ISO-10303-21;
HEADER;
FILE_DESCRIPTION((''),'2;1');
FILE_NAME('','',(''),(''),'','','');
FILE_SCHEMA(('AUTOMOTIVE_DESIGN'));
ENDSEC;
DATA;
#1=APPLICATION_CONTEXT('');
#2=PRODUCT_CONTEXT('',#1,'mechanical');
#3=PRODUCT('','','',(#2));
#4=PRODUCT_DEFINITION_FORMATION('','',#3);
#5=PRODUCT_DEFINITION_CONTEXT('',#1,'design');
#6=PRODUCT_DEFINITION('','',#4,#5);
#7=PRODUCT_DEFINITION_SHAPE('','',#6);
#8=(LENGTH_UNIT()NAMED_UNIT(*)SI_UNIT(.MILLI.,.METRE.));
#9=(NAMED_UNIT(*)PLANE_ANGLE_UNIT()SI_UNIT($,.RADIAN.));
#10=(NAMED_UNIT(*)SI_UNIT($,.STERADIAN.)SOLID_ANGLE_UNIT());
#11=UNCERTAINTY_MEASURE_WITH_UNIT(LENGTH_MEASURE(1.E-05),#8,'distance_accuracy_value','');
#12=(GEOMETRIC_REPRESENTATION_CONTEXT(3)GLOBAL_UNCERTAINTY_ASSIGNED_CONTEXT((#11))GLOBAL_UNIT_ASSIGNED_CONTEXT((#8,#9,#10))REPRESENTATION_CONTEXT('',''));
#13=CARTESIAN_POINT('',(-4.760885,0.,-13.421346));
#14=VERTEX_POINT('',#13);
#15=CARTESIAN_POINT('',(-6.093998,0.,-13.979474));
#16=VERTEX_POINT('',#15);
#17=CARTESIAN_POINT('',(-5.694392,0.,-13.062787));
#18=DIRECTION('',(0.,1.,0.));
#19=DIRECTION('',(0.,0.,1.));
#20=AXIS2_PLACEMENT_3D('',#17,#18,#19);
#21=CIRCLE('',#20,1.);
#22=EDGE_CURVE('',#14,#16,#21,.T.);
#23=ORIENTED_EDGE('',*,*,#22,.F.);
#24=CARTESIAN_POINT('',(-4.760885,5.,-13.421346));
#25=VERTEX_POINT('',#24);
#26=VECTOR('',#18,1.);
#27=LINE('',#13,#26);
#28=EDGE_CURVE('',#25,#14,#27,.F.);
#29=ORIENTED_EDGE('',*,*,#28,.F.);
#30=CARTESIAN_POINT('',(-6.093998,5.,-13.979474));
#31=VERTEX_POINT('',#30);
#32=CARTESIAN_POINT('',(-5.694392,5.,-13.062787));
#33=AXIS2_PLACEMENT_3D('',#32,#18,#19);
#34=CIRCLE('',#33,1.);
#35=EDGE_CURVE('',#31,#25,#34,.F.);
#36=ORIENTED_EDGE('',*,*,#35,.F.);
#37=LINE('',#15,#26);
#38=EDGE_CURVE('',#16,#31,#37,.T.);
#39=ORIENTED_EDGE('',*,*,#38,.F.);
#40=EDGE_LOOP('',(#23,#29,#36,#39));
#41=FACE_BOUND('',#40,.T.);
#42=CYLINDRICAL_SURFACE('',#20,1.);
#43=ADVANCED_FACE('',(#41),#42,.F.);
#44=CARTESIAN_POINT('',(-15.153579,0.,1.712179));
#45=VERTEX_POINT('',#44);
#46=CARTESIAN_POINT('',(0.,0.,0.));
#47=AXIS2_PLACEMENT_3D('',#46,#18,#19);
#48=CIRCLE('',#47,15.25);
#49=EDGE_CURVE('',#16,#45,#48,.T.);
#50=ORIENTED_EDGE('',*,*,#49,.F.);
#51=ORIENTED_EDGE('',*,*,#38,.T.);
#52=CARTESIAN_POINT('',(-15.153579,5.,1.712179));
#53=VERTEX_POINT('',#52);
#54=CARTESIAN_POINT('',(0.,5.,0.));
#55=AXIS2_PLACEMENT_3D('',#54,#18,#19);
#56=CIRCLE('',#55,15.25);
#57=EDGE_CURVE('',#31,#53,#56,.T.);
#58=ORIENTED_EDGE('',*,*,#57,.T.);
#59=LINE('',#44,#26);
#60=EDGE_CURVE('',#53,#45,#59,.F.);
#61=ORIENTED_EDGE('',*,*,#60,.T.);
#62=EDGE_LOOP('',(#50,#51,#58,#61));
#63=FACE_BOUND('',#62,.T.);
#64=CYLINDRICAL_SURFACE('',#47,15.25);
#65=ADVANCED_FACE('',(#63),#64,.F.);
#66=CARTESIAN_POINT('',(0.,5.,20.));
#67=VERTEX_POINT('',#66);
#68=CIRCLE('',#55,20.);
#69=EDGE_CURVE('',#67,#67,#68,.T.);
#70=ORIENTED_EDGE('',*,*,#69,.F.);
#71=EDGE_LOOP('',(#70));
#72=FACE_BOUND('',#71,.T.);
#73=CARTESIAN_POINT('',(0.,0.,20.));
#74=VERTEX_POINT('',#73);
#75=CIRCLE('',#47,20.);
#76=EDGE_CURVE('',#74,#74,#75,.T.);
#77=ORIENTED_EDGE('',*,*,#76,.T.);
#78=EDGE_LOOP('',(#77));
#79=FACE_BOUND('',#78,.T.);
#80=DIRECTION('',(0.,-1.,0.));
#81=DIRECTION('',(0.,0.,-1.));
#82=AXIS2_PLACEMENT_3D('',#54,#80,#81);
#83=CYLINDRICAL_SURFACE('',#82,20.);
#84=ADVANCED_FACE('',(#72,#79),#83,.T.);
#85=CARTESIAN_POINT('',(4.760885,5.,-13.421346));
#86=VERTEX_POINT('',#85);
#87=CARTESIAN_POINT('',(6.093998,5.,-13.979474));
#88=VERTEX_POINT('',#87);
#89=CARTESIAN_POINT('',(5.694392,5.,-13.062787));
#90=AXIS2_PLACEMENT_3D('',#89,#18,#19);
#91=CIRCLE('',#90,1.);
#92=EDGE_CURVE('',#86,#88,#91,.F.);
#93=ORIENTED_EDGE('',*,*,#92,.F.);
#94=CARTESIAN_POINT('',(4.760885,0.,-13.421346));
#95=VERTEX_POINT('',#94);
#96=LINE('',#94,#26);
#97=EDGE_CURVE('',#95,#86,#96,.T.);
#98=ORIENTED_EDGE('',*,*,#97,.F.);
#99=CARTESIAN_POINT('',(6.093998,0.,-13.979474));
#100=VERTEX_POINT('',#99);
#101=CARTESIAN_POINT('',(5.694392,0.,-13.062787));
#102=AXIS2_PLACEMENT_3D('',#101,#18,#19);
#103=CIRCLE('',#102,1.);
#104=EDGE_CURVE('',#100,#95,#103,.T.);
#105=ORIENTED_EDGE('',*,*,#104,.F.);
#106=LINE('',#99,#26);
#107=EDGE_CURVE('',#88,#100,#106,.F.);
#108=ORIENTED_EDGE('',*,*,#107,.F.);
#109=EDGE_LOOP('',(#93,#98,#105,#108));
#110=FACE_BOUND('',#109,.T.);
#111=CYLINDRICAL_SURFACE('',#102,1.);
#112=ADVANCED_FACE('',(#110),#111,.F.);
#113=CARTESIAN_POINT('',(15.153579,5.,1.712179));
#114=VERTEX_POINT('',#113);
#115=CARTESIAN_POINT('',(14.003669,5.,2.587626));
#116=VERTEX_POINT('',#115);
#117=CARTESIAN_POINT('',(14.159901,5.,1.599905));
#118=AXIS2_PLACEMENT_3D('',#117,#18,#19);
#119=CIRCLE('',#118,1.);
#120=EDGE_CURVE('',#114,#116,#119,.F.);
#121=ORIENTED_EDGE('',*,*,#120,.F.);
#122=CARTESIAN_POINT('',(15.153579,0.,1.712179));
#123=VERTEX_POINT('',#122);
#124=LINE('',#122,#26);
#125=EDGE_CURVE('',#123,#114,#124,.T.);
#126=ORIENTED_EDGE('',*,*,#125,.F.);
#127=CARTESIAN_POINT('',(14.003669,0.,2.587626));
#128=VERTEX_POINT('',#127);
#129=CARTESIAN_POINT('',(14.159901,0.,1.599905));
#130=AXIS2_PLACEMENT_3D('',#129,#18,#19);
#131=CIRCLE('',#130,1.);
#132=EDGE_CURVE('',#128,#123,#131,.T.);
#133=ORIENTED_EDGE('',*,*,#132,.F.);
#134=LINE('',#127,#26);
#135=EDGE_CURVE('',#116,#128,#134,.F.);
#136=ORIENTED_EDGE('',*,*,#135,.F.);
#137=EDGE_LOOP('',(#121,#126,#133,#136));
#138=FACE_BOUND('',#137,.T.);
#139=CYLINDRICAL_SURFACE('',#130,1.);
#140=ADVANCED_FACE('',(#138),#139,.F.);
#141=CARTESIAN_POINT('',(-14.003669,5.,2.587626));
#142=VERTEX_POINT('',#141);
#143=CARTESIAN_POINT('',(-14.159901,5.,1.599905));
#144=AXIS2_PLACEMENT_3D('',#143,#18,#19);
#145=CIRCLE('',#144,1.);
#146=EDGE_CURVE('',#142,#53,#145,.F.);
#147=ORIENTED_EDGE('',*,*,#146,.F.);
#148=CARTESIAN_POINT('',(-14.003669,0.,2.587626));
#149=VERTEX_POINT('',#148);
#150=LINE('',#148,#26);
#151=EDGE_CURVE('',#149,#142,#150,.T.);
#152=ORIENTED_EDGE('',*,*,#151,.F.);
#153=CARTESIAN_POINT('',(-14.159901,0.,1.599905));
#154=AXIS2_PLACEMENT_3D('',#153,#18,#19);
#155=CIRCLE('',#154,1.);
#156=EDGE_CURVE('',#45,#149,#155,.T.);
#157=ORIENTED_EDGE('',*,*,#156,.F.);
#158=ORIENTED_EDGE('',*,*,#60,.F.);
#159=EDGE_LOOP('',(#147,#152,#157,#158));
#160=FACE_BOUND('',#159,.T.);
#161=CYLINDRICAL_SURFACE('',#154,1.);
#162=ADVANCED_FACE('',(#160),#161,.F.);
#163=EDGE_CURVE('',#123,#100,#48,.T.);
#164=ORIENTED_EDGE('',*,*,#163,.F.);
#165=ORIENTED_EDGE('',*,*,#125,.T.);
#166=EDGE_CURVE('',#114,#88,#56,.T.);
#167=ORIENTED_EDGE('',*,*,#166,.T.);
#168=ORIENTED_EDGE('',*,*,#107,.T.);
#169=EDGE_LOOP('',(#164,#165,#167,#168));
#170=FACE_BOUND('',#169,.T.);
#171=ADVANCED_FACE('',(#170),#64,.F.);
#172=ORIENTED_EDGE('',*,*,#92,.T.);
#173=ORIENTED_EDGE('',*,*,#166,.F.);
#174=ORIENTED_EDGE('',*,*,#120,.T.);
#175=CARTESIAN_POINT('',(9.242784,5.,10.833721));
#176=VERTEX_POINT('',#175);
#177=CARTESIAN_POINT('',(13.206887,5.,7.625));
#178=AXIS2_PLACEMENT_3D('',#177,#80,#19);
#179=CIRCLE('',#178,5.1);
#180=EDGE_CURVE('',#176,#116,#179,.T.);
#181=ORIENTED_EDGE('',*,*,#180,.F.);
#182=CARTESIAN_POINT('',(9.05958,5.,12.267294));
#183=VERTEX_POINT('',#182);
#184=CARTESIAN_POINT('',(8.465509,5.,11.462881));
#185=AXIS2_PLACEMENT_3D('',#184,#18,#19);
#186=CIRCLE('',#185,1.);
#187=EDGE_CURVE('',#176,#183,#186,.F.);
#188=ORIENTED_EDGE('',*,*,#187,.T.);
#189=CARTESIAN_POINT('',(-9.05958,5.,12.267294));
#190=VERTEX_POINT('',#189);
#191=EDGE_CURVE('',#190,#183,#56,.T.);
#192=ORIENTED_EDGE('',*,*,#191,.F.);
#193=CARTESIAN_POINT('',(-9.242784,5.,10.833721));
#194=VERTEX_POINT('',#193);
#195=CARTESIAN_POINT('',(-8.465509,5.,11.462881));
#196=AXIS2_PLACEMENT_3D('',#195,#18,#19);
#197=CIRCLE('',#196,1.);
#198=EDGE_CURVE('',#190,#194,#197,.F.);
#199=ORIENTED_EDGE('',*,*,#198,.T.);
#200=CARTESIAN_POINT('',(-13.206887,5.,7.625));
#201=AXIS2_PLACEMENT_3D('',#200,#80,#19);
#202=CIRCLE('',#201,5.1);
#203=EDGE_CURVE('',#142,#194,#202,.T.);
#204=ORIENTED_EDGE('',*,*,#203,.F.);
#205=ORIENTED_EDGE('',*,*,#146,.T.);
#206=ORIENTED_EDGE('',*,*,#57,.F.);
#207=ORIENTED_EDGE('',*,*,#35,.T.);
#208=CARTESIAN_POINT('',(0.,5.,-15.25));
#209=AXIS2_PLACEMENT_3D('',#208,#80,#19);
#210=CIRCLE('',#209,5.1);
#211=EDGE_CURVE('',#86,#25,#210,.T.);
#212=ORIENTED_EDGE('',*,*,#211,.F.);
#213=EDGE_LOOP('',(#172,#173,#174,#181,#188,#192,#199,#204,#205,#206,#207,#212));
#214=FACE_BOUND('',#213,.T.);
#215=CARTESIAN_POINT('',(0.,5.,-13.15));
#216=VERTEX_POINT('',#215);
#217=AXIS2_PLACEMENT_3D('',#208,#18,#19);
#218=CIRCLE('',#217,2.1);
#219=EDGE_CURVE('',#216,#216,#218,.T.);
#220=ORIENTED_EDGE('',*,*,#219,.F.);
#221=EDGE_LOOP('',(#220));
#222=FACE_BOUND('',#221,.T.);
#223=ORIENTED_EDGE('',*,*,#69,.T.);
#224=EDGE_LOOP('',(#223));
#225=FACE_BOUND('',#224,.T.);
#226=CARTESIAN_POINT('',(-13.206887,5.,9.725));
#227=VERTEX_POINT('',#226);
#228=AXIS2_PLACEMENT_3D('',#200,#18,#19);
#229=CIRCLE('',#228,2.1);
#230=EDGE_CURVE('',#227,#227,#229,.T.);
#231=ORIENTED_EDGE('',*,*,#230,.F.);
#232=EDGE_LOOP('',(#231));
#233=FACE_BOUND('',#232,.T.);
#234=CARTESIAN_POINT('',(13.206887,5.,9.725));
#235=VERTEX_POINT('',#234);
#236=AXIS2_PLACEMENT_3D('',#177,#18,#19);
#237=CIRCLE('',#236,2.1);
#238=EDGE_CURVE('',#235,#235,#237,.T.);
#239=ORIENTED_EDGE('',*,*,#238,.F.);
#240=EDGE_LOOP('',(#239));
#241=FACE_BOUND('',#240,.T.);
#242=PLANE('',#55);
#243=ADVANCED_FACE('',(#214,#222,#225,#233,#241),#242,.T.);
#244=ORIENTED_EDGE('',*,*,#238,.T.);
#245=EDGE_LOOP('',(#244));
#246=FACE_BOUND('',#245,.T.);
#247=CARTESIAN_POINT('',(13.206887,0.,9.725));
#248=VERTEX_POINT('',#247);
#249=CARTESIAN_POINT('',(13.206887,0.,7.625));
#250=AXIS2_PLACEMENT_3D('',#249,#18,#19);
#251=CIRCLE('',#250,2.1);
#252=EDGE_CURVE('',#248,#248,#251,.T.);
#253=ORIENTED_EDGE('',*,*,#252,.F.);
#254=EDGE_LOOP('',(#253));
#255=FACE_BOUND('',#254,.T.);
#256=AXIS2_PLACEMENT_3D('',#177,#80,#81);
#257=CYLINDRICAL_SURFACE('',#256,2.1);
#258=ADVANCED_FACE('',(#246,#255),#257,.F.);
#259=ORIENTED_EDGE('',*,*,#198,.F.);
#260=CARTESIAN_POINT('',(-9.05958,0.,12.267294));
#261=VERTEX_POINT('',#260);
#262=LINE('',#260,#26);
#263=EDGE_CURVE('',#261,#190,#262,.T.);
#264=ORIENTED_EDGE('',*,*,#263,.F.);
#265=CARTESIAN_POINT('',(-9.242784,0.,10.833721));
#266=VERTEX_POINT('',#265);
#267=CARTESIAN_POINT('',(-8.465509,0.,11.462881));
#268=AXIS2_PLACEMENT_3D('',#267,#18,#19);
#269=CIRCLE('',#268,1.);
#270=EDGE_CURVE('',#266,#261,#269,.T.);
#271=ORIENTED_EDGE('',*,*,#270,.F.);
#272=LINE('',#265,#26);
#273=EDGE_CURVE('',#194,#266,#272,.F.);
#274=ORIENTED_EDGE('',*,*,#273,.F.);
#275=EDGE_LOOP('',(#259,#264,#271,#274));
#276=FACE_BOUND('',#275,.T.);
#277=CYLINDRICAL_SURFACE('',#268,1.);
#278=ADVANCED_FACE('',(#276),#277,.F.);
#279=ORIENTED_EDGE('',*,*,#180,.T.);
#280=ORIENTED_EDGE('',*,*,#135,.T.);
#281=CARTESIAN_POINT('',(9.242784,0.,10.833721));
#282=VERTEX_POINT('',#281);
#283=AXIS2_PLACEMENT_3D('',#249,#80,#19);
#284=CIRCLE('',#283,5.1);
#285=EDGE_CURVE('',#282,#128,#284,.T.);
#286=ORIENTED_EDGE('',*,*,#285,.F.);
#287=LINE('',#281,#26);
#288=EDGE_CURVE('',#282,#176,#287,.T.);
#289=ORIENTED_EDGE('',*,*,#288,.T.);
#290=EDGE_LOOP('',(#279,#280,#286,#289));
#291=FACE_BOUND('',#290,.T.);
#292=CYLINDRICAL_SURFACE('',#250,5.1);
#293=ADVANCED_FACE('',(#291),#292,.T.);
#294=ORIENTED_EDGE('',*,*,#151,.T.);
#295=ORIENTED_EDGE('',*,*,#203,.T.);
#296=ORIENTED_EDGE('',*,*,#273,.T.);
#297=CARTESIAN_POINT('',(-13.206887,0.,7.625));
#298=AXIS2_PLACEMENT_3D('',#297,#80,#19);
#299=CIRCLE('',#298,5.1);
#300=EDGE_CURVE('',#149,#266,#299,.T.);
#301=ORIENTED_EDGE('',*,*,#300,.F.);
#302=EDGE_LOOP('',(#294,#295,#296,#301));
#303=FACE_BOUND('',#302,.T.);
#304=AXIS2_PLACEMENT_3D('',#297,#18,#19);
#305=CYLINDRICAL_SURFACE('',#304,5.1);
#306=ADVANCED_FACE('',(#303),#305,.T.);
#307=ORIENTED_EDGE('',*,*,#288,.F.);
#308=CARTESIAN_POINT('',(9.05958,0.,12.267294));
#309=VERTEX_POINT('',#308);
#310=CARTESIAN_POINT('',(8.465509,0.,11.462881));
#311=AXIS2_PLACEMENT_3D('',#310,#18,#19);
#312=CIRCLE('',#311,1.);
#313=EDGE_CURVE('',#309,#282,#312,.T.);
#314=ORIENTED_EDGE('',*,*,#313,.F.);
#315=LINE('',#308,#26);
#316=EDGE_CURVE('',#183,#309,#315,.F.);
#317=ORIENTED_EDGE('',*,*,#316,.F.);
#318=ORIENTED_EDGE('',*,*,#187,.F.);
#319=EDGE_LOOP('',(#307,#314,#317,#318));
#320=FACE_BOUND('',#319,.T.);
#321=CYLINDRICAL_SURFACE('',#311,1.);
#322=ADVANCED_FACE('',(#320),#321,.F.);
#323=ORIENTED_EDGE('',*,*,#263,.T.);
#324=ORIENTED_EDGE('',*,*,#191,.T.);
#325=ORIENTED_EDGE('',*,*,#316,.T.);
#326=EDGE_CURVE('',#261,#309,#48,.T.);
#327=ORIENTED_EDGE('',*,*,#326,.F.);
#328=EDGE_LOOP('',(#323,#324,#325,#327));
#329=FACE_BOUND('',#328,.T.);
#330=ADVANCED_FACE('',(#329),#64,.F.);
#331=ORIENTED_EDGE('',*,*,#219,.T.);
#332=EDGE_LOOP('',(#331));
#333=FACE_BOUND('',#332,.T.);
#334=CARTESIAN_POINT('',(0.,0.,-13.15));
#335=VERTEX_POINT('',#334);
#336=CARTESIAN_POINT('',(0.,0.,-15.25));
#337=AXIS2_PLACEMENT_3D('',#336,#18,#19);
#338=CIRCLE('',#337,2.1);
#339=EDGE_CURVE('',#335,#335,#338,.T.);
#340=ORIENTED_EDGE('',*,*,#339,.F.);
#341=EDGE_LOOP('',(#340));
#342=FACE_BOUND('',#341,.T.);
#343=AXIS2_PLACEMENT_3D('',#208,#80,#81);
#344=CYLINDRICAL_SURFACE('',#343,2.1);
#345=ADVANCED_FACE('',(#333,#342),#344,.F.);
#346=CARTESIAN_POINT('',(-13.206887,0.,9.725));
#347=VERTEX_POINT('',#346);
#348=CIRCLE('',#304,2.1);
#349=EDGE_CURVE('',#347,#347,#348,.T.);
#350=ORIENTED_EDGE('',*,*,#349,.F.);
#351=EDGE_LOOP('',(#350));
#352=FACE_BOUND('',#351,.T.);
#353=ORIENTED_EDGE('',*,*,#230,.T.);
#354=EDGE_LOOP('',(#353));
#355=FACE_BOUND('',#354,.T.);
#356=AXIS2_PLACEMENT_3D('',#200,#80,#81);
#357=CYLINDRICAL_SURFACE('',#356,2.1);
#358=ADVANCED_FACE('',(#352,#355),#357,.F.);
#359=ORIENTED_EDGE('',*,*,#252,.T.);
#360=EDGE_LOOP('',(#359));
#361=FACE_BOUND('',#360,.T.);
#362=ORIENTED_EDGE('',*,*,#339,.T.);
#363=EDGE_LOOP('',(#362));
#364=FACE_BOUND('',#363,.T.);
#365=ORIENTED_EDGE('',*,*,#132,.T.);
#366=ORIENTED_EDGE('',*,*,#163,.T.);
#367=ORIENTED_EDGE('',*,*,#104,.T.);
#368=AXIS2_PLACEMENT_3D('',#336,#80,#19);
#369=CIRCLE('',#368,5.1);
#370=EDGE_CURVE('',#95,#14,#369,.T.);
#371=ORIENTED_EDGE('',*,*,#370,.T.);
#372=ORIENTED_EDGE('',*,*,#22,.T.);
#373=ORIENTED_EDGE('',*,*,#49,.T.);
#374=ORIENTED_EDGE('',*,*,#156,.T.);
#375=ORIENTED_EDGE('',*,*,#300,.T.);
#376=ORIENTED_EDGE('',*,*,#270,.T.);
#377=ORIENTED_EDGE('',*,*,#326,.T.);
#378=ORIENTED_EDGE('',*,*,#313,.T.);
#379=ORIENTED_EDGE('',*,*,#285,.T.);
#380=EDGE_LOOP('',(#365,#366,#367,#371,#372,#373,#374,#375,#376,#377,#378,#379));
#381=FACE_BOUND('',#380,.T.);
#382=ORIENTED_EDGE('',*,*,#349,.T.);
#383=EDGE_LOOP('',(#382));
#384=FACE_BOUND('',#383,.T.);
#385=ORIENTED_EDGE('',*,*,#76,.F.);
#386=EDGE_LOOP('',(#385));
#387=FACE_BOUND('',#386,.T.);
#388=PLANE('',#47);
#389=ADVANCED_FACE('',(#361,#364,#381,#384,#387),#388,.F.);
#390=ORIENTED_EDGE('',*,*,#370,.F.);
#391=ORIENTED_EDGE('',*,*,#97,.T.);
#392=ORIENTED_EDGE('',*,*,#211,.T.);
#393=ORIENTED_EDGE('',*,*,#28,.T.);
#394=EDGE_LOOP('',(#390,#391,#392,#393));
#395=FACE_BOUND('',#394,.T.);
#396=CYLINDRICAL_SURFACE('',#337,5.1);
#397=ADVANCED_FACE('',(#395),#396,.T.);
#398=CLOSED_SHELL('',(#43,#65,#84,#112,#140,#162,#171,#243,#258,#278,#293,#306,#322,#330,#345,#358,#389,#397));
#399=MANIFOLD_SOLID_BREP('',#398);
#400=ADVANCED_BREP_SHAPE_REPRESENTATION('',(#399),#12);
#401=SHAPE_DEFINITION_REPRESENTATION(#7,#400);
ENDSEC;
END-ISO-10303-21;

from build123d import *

# Parameters (mm, degrees)
SKETCH1_R           = 20
SKETCH1_R_2         = 10
SKETCH1_R_3         = 2.1
BOSS_EXTRUDE1_DEPTH = 5
CUT_EXTRUDE1_DEPTH  = 6
FILLET1_R           = 1


with BuildPart() as part:
    # Sketch1 → Boss-Extrude1 (new body)
    with BuildSketch(Plane(origin=(0, 0, 0), x_dir=(1, 0, 0), z_dir=(0, 1, 0))):
        Circle(SKETCH1_R)
        Circle(SKETCH1_R_2, mode=Mode.SUBTRACT)
        with Locations((0, 15.25)):
            Circle(SKETCH1_R_3, mode=Mode.SUBTRACT)
        with Locations((13.206887408, -7.625)):
            Circle(SKETCH1_R_3, mode=Mode.SUBTRACT)
        with Locations((-13.206887408, -7.625)):
            Circle(SKETCH1_R_3, mode=Mode.SUBTRACT)
    extrude(amount=BOSS_EXTRUDE1_DEPTH)

    # Sketch2 → Cut-Extrude1 (cut, through all)
    with BuildSketch(Plane(origin=(0, 5, 0), x_dir=(1, 0, 0), z_dir=(0, 1, 0))):
        with BuildLine():
            ThreePointArc((-5.028195952, 14.397213115), (0, 10.15), (5.028195952, 14.397213115))
            ThreePointArc((5.028195952, 14.397213115), (13.206887408, 7.625), (14.982450277, -2.844061128))
            ThreePointArc((14.982450277, -2.844061128), (8.790157848, -5.075), (9.954254325, -11.553151987))
            ThreePointArc((9.954254325, -11.553151987), (0, -15.25), (-9.954254325, -11.553151987))
            ThreePointArc((-9.954254325, -11.553151987), (-8.790157848, -5.075), (-14.982450277, -2.844061128))
            ThreePointArc((-14.982450277, -2.844061128), (-13.206887408, 7.625), (-5.028195952, 14.397213115))
        make_face()
    extrude(amount=-CUT_EXTRUDE1_DEPTH, mode=Mode.SUBTRACT)

    # Fillet1
    fillet1_edges = [part.edges().sort_by_distance(p)[0] for p in [
        (-14.982450277, 2.5, 2.844061128),
        (-5.028195952, 2.5, -14.397213115),
        (5.028195952, 2.5, -14.397213115),
        (14.982450277, 2.5, 2.844061128),
        (9.954254325, 2.5, 11.553151987),
        (-9.954254325, 2.5, 11.553151987),
    ]]
    fillet(fillet1_edges, radius=FILLET1_R)


solid = part.part
